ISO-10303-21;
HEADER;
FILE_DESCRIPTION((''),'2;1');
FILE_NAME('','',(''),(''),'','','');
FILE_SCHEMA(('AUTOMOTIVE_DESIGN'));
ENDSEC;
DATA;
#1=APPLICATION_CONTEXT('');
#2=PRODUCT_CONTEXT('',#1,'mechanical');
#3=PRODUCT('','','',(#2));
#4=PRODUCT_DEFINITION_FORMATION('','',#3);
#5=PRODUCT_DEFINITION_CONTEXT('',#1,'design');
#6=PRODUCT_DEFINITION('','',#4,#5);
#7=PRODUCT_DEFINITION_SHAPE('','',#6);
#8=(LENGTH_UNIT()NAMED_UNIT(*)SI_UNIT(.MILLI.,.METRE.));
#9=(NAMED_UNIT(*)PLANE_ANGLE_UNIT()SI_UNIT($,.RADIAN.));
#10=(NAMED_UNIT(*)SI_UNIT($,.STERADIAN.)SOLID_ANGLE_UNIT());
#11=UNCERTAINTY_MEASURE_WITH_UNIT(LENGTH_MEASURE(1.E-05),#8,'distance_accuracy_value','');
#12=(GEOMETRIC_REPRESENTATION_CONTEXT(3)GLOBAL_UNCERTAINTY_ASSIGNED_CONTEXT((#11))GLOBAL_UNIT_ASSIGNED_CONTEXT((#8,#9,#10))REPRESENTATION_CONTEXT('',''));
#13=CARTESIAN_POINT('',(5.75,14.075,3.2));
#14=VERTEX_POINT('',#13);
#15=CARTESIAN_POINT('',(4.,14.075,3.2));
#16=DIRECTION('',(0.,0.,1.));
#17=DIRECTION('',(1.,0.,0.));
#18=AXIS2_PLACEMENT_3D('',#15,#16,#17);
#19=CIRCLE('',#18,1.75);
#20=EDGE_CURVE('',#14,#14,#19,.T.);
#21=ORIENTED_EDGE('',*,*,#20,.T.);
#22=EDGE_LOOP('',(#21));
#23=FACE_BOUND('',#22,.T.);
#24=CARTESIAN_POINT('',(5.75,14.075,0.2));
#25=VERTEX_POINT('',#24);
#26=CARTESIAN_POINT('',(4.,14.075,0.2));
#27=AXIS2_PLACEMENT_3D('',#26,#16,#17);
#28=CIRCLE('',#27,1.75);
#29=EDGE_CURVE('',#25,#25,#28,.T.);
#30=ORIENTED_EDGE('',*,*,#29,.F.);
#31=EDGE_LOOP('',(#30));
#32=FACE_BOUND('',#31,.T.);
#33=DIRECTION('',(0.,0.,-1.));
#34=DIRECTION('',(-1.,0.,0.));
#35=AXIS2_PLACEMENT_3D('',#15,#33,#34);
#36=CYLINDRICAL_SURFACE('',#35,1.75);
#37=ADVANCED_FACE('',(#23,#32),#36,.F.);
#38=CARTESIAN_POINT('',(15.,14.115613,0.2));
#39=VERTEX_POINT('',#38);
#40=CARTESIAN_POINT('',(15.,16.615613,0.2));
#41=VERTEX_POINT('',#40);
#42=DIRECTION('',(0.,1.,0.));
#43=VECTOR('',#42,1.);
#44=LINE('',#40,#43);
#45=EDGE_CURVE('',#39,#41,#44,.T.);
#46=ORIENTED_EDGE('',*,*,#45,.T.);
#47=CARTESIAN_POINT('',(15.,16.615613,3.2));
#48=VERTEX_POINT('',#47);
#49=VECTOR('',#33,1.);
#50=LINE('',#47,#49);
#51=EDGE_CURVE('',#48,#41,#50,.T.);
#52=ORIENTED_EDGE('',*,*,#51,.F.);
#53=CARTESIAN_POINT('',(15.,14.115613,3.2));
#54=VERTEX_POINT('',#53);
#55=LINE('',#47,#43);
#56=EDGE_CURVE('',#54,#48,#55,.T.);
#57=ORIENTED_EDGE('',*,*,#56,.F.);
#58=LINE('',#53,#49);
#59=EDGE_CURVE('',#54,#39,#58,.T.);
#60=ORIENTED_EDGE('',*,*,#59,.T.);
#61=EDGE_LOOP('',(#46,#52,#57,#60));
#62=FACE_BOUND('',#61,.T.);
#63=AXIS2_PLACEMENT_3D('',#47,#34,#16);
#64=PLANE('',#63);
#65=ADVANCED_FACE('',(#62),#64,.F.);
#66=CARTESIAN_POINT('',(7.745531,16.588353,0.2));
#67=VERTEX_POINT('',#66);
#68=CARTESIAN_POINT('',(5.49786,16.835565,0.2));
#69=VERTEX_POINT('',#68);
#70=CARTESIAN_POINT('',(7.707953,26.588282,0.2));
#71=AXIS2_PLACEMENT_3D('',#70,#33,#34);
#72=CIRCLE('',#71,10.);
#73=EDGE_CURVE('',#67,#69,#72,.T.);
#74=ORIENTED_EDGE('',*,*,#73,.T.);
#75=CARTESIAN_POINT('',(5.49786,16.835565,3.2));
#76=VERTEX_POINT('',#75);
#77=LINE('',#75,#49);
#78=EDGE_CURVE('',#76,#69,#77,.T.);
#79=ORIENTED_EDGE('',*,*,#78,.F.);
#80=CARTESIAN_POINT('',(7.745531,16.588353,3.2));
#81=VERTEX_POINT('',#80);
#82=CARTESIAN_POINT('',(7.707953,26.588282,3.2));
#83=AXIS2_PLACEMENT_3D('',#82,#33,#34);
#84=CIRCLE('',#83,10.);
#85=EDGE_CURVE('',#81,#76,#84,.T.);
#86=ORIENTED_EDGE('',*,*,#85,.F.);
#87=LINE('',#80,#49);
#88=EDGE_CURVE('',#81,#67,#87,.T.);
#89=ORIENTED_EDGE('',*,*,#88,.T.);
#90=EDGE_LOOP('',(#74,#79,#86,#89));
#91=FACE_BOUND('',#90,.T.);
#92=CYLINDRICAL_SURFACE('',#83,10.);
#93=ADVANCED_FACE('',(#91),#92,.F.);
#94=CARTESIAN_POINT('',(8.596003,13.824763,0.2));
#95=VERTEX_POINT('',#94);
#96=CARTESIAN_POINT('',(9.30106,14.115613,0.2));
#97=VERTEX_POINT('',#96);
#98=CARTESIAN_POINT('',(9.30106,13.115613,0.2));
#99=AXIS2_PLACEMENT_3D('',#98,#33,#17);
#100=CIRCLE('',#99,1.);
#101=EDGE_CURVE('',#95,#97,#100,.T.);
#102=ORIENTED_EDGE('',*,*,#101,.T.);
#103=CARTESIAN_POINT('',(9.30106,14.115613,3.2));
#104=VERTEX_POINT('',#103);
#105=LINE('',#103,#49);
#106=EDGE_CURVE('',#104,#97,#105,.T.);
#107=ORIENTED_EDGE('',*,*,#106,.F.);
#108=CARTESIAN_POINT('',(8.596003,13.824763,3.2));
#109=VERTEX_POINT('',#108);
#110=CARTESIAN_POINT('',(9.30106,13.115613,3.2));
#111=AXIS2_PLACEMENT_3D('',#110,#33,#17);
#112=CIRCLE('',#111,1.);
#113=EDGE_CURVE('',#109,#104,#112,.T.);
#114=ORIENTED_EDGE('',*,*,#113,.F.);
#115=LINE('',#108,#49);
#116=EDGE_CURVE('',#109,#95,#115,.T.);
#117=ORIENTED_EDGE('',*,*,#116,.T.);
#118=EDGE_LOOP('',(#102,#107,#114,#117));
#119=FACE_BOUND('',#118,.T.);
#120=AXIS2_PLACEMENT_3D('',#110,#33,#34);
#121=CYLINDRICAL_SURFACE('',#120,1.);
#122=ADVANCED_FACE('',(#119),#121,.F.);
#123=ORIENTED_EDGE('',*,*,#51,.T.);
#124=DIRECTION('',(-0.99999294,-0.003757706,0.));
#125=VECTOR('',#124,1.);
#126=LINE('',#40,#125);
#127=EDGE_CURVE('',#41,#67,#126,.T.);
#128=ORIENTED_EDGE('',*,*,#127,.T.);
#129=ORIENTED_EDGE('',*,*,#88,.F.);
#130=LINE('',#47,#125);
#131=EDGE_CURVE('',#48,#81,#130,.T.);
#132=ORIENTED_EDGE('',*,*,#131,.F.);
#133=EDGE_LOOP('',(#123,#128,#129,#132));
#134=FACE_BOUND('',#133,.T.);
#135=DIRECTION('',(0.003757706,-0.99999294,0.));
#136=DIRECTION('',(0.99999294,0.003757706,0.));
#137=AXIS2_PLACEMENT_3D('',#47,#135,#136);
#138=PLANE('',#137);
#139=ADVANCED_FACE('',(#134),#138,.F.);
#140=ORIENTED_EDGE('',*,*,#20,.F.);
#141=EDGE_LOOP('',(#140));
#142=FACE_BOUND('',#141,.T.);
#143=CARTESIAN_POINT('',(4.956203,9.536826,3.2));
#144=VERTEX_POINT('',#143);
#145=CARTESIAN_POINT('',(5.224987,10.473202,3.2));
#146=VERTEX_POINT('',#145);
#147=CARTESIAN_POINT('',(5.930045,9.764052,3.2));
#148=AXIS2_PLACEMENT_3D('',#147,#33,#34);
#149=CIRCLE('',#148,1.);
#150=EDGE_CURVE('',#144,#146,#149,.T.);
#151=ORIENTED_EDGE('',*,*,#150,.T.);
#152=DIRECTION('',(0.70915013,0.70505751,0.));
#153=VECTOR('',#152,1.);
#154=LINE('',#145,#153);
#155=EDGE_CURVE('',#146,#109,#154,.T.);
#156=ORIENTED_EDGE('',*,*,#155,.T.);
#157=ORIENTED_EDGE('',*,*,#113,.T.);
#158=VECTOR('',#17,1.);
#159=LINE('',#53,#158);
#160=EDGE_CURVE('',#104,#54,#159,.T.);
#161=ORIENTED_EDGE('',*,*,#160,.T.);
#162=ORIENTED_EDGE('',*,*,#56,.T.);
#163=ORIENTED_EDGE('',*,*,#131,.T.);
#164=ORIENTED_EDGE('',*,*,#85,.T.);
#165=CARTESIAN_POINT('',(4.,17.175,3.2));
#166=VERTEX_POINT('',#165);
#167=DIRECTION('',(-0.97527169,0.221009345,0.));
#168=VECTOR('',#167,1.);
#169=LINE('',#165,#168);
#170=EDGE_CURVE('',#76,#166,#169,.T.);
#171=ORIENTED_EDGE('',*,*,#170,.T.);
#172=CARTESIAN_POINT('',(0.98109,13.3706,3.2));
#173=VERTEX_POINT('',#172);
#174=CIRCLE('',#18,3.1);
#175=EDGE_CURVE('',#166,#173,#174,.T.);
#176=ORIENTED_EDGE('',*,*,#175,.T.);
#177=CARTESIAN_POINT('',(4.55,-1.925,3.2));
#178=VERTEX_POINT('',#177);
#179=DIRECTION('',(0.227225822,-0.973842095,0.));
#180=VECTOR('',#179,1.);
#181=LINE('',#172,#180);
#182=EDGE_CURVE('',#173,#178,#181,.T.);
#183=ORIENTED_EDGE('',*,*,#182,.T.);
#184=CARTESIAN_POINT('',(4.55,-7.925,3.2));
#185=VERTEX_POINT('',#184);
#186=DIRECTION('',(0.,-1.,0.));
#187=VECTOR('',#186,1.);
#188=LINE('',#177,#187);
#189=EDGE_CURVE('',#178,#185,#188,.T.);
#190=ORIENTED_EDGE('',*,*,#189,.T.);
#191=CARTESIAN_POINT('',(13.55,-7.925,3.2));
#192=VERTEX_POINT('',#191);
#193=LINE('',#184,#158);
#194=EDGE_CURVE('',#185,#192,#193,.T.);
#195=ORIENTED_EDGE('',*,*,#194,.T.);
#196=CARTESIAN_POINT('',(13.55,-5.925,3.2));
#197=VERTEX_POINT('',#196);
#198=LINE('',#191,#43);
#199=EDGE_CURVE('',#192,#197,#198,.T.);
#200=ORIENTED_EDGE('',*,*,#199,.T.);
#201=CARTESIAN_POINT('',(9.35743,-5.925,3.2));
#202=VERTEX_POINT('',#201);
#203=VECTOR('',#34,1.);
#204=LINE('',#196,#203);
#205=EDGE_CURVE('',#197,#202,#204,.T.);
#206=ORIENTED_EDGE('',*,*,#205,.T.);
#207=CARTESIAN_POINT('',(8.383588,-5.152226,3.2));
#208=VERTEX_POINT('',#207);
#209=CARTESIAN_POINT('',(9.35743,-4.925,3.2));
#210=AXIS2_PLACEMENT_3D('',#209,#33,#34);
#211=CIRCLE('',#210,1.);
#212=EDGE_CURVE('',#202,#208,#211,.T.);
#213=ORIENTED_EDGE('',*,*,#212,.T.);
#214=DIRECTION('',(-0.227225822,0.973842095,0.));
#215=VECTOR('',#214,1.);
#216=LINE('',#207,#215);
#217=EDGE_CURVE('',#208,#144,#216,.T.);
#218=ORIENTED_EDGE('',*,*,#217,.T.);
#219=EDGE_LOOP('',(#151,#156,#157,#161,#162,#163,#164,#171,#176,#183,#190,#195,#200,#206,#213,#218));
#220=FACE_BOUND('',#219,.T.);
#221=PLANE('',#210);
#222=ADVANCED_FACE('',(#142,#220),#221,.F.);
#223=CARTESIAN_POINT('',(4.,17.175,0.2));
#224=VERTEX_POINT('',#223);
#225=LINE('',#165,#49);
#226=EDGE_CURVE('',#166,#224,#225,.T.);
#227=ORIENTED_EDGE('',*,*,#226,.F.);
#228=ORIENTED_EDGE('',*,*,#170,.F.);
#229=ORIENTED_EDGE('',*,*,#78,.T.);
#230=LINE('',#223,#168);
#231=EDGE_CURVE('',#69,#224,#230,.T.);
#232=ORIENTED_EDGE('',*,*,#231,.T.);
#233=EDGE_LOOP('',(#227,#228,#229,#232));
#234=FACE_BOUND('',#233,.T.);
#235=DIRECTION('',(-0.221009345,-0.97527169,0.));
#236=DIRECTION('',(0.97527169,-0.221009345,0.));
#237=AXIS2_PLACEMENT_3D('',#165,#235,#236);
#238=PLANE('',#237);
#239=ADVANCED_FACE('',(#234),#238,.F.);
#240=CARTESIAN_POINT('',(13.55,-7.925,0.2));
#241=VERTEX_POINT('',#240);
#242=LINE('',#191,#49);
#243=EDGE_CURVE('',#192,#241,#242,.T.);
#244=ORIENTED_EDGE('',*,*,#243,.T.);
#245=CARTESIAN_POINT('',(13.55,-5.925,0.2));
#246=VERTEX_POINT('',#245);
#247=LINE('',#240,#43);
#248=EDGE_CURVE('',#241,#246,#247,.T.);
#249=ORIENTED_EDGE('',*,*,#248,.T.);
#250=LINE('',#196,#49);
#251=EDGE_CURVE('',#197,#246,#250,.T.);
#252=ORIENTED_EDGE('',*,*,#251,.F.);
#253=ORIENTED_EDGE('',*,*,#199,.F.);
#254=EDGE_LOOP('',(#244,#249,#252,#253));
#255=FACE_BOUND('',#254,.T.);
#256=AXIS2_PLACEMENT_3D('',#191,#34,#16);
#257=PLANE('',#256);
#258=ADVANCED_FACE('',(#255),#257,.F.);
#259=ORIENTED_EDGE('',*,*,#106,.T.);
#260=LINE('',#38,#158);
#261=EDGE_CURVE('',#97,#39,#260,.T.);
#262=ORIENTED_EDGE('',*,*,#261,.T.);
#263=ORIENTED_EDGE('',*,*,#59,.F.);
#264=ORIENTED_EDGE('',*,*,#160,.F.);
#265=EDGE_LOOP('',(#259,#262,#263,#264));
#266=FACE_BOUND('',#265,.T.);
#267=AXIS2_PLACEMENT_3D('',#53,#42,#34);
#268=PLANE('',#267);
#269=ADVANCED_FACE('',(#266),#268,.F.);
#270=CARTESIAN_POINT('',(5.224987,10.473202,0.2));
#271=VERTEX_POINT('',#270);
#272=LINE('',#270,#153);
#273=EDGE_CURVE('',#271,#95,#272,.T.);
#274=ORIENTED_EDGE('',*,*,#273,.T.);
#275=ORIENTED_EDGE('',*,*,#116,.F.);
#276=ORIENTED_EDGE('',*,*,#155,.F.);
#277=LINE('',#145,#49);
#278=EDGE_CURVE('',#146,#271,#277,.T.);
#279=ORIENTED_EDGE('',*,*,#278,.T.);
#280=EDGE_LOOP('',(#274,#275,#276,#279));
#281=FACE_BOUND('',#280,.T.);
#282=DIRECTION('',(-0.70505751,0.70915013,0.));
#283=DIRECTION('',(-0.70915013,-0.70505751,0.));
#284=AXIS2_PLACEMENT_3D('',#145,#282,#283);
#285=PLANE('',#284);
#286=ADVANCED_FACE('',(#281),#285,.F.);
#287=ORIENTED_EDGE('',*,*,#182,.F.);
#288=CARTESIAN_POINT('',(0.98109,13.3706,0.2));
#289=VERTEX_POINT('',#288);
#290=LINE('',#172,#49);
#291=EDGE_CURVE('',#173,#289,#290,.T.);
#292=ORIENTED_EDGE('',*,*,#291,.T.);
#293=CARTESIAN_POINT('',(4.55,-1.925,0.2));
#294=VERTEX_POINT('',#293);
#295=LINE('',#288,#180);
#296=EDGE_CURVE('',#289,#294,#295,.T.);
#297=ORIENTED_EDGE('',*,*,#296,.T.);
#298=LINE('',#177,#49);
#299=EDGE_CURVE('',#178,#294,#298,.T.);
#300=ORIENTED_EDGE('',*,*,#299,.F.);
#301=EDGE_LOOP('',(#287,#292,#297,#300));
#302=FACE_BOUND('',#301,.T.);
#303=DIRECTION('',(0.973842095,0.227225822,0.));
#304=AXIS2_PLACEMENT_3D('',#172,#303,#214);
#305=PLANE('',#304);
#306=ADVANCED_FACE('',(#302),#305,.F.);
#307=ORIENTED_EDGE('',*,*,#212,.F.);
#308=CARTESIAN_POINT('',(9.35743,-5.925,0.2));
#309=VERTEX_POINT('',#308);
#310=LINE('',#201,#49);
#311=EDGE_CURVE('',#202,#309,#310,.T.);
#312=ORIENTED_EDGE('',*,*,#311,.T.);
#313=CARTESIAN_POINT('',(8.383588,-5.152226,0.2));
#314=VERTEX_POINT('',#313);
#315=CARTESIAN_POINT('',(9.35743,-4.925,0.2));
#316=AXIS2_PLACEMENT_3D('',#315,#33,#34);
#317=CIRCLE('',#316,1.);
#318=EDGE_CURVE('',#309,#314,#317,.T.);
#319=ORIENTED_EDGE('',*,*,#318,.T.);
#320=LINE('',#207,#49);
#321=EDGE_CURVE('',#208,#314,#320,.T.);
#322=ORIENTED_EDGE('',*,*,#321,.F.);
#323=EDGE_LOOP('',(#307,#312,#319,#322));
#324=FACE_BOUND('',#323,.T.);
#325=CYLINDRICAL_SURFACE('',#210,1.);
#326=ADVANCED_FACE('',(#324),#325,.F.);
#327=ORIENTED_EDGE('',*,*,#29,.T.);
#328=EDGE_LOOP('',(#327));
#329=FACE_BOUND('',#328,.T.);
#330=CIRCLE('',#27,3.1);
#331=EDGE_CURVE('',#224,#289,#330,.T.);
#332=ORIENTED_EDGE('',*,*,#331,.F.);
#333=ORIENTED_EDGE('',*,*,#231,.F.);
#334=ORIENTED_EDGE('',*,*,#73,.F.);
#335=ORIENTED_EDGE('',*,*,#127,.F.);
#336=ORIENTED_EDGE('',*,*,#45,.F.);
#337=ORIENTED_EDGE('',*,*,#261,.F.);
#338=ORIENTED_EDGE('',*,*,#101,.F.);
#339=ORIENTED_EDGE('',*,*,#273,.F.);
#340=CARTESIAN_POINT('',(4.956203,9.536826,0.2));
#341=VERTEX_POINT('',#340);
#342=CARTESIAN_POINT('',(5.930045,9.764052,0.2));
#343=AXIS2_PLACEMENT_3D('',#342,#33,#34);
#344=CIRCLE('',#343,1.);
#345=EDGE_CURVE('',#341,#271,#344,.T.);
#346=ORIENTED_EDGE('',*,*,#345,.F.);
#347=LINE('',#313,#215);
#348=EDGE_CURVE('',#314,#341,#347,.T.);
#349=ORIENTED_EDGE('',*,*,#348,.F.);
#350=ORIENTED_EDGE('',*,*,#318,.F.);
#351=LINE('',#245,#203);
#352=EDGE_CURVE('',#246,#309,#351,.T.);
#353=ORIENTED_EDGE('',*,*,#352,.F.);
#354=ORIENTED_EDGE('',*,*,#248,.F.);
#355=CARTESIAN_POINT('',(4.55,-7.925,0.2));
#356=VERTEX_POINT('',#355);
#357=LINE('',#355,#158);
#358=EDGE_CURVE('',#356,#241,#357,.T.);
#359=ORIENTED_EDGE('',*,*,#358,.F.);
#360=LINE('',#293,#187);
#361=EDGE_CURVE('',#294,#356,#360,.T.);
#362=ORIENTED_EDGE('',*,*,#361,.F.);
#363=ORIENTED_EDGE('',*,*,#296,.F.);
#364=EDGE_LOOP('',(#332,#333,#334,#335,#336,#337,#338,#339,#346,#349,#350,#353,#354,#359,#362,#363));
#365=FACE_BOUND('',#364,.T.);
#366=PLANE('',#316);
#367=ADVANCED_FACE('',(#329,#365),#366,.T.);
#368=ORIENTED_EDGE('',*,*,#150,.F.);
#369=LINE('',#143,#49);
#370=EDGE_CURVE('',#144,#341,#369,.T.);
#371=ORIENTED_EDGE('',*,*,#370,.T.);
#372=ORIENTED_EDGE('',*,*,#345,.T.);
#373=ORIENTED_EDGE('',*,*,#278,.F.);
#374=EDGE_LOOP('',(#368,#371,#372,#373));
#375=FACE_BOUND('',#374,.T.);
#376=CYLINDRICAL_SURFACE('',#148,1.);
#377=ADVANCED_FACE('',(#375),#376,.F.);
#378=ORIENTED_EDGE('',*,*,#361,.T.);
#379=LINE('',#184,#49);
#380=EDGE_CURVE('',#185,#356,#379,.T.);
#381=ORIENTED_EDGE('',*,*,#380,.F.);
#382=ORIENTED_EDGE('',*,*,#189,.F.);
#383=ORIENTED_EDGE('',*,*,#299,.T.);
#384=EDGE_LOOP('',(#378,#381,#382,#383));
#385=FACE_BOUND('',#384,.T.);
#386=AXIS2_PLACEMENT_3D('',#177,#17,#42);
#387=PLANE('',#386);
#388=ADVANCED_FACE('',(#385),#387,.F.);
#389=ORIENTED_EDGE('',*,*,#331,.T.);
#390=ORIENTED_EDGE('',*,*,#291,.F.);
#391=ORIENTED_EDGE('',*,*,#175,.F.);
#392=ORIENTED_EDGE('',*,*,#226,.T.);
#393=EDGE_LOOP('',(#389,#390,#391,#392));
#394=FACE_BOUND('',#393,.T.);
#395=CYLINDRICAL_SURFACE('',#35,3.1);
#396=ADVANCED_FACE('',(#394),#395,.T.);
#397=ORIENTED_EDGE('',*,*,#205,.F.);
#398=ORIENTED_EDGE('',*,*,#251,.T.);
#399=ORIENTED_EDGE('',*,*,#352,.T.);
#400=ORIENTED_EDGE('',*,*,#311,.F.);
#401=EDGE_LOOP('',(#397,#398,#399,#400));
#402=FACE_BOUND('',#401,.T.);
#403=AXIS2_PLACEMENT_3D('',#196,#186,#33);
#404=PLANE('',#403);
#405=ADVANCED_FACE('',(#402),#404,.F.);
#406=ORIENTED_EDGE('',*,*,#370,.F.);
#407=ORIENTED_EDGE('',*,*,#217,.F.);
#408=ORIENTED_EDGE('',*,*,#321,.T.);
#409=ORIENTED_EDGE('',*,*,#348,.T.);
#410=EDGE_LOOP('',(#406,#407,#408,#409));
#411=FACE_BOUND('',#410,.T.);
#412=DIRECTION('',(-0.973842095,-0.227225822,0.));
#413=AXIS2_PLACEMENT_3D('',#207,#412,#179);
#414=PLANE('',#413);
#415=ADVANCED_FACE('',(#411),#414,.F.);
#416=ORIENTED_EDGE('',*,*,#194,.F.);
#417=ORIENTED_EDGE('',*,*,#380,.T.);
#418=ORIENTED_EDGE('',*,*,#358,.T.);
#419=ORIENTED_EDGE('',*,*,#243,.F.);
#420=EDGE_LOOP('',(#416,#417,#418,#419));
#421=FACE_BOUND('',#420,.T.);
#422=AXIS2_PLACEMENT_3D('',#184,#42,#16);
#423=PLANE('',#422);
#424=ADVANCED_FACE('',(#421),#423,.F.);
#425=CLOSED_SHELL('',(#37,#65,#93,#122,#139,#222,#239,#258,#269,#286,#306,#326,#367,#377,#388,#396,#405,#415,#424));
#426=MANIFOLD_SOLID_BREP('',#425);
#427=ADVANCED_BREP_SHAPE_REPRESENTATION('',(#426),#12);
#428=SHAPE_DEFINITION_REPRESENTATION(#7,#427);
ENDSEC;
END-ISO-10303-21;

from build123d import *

# Parameters (mm, degrees)
BOSS_EXTRU_1_START = 0.2
ESQUISSE1_R        = 1.75
BOSS_EXTRU_1_DEPTH = 3


with BuildPart() as part:
    # Esquisse1 → Boss.-Extru.1 (new body)
    with BuildSketch(Plane.XY.offset(BOSS_EXTRU_1_START)):
        with BuildLine():
            Line((0.981089506, 13.370599952), (4.55, -1.925))
            Line((4.55, -1.925), (4.55, -7.925))
            Line((4.55, -7.925), (13.55, -7.925))
            Line((13.55, -7.925), (13.55, -5.925))
            Line((13.55, -5.925), (9.357429757, -5.925))
            ThreePointArc((9.357429757, -5.925), (8.735829332, -5.708334482), (8.383587662, -5.152225822))
            Line((8.383587662, -5.152225822), (4.956202513, 9.536826262))
            ThreePointArc((4.956202513, 9.536826262), (4.968859947, 10.039957952), (5.224987097, 10.473202214))
            Line((5.224987097, 10.473202214), (8.596002843, 13.824763284))
            ThreePointArc((8.596002843, 13.824763284), (8.91971414, 14.040045447), (9.301060354, 14.115613154))
            Line((9.301060354, 14.115613154), (15, 14.115613154))
            Line((15, 14.115613154), (15, 16.615613154))
            Line((15, 16.615613154), (7.745530511, 16.588352798))
            ThreePointArc((7.745530511, 16.588352798), (6.614685245, 16.648223613), (5.49786, 16.835565296))
            Line((5.49786, 16.835565296), (4, 17.175))
            ThreePointArc((4, 17.175), (1.571663105, 16.001961319), (0.981089506, 13.370599952))
        make_face()
        with Locations((4, 14.075)):
            Circle(ESQUISSE1_R, mode=Mode.SUBTRACT)
    extrude(amount=BOSS_EXTRU_1_DEPTH)


solid = part.part
